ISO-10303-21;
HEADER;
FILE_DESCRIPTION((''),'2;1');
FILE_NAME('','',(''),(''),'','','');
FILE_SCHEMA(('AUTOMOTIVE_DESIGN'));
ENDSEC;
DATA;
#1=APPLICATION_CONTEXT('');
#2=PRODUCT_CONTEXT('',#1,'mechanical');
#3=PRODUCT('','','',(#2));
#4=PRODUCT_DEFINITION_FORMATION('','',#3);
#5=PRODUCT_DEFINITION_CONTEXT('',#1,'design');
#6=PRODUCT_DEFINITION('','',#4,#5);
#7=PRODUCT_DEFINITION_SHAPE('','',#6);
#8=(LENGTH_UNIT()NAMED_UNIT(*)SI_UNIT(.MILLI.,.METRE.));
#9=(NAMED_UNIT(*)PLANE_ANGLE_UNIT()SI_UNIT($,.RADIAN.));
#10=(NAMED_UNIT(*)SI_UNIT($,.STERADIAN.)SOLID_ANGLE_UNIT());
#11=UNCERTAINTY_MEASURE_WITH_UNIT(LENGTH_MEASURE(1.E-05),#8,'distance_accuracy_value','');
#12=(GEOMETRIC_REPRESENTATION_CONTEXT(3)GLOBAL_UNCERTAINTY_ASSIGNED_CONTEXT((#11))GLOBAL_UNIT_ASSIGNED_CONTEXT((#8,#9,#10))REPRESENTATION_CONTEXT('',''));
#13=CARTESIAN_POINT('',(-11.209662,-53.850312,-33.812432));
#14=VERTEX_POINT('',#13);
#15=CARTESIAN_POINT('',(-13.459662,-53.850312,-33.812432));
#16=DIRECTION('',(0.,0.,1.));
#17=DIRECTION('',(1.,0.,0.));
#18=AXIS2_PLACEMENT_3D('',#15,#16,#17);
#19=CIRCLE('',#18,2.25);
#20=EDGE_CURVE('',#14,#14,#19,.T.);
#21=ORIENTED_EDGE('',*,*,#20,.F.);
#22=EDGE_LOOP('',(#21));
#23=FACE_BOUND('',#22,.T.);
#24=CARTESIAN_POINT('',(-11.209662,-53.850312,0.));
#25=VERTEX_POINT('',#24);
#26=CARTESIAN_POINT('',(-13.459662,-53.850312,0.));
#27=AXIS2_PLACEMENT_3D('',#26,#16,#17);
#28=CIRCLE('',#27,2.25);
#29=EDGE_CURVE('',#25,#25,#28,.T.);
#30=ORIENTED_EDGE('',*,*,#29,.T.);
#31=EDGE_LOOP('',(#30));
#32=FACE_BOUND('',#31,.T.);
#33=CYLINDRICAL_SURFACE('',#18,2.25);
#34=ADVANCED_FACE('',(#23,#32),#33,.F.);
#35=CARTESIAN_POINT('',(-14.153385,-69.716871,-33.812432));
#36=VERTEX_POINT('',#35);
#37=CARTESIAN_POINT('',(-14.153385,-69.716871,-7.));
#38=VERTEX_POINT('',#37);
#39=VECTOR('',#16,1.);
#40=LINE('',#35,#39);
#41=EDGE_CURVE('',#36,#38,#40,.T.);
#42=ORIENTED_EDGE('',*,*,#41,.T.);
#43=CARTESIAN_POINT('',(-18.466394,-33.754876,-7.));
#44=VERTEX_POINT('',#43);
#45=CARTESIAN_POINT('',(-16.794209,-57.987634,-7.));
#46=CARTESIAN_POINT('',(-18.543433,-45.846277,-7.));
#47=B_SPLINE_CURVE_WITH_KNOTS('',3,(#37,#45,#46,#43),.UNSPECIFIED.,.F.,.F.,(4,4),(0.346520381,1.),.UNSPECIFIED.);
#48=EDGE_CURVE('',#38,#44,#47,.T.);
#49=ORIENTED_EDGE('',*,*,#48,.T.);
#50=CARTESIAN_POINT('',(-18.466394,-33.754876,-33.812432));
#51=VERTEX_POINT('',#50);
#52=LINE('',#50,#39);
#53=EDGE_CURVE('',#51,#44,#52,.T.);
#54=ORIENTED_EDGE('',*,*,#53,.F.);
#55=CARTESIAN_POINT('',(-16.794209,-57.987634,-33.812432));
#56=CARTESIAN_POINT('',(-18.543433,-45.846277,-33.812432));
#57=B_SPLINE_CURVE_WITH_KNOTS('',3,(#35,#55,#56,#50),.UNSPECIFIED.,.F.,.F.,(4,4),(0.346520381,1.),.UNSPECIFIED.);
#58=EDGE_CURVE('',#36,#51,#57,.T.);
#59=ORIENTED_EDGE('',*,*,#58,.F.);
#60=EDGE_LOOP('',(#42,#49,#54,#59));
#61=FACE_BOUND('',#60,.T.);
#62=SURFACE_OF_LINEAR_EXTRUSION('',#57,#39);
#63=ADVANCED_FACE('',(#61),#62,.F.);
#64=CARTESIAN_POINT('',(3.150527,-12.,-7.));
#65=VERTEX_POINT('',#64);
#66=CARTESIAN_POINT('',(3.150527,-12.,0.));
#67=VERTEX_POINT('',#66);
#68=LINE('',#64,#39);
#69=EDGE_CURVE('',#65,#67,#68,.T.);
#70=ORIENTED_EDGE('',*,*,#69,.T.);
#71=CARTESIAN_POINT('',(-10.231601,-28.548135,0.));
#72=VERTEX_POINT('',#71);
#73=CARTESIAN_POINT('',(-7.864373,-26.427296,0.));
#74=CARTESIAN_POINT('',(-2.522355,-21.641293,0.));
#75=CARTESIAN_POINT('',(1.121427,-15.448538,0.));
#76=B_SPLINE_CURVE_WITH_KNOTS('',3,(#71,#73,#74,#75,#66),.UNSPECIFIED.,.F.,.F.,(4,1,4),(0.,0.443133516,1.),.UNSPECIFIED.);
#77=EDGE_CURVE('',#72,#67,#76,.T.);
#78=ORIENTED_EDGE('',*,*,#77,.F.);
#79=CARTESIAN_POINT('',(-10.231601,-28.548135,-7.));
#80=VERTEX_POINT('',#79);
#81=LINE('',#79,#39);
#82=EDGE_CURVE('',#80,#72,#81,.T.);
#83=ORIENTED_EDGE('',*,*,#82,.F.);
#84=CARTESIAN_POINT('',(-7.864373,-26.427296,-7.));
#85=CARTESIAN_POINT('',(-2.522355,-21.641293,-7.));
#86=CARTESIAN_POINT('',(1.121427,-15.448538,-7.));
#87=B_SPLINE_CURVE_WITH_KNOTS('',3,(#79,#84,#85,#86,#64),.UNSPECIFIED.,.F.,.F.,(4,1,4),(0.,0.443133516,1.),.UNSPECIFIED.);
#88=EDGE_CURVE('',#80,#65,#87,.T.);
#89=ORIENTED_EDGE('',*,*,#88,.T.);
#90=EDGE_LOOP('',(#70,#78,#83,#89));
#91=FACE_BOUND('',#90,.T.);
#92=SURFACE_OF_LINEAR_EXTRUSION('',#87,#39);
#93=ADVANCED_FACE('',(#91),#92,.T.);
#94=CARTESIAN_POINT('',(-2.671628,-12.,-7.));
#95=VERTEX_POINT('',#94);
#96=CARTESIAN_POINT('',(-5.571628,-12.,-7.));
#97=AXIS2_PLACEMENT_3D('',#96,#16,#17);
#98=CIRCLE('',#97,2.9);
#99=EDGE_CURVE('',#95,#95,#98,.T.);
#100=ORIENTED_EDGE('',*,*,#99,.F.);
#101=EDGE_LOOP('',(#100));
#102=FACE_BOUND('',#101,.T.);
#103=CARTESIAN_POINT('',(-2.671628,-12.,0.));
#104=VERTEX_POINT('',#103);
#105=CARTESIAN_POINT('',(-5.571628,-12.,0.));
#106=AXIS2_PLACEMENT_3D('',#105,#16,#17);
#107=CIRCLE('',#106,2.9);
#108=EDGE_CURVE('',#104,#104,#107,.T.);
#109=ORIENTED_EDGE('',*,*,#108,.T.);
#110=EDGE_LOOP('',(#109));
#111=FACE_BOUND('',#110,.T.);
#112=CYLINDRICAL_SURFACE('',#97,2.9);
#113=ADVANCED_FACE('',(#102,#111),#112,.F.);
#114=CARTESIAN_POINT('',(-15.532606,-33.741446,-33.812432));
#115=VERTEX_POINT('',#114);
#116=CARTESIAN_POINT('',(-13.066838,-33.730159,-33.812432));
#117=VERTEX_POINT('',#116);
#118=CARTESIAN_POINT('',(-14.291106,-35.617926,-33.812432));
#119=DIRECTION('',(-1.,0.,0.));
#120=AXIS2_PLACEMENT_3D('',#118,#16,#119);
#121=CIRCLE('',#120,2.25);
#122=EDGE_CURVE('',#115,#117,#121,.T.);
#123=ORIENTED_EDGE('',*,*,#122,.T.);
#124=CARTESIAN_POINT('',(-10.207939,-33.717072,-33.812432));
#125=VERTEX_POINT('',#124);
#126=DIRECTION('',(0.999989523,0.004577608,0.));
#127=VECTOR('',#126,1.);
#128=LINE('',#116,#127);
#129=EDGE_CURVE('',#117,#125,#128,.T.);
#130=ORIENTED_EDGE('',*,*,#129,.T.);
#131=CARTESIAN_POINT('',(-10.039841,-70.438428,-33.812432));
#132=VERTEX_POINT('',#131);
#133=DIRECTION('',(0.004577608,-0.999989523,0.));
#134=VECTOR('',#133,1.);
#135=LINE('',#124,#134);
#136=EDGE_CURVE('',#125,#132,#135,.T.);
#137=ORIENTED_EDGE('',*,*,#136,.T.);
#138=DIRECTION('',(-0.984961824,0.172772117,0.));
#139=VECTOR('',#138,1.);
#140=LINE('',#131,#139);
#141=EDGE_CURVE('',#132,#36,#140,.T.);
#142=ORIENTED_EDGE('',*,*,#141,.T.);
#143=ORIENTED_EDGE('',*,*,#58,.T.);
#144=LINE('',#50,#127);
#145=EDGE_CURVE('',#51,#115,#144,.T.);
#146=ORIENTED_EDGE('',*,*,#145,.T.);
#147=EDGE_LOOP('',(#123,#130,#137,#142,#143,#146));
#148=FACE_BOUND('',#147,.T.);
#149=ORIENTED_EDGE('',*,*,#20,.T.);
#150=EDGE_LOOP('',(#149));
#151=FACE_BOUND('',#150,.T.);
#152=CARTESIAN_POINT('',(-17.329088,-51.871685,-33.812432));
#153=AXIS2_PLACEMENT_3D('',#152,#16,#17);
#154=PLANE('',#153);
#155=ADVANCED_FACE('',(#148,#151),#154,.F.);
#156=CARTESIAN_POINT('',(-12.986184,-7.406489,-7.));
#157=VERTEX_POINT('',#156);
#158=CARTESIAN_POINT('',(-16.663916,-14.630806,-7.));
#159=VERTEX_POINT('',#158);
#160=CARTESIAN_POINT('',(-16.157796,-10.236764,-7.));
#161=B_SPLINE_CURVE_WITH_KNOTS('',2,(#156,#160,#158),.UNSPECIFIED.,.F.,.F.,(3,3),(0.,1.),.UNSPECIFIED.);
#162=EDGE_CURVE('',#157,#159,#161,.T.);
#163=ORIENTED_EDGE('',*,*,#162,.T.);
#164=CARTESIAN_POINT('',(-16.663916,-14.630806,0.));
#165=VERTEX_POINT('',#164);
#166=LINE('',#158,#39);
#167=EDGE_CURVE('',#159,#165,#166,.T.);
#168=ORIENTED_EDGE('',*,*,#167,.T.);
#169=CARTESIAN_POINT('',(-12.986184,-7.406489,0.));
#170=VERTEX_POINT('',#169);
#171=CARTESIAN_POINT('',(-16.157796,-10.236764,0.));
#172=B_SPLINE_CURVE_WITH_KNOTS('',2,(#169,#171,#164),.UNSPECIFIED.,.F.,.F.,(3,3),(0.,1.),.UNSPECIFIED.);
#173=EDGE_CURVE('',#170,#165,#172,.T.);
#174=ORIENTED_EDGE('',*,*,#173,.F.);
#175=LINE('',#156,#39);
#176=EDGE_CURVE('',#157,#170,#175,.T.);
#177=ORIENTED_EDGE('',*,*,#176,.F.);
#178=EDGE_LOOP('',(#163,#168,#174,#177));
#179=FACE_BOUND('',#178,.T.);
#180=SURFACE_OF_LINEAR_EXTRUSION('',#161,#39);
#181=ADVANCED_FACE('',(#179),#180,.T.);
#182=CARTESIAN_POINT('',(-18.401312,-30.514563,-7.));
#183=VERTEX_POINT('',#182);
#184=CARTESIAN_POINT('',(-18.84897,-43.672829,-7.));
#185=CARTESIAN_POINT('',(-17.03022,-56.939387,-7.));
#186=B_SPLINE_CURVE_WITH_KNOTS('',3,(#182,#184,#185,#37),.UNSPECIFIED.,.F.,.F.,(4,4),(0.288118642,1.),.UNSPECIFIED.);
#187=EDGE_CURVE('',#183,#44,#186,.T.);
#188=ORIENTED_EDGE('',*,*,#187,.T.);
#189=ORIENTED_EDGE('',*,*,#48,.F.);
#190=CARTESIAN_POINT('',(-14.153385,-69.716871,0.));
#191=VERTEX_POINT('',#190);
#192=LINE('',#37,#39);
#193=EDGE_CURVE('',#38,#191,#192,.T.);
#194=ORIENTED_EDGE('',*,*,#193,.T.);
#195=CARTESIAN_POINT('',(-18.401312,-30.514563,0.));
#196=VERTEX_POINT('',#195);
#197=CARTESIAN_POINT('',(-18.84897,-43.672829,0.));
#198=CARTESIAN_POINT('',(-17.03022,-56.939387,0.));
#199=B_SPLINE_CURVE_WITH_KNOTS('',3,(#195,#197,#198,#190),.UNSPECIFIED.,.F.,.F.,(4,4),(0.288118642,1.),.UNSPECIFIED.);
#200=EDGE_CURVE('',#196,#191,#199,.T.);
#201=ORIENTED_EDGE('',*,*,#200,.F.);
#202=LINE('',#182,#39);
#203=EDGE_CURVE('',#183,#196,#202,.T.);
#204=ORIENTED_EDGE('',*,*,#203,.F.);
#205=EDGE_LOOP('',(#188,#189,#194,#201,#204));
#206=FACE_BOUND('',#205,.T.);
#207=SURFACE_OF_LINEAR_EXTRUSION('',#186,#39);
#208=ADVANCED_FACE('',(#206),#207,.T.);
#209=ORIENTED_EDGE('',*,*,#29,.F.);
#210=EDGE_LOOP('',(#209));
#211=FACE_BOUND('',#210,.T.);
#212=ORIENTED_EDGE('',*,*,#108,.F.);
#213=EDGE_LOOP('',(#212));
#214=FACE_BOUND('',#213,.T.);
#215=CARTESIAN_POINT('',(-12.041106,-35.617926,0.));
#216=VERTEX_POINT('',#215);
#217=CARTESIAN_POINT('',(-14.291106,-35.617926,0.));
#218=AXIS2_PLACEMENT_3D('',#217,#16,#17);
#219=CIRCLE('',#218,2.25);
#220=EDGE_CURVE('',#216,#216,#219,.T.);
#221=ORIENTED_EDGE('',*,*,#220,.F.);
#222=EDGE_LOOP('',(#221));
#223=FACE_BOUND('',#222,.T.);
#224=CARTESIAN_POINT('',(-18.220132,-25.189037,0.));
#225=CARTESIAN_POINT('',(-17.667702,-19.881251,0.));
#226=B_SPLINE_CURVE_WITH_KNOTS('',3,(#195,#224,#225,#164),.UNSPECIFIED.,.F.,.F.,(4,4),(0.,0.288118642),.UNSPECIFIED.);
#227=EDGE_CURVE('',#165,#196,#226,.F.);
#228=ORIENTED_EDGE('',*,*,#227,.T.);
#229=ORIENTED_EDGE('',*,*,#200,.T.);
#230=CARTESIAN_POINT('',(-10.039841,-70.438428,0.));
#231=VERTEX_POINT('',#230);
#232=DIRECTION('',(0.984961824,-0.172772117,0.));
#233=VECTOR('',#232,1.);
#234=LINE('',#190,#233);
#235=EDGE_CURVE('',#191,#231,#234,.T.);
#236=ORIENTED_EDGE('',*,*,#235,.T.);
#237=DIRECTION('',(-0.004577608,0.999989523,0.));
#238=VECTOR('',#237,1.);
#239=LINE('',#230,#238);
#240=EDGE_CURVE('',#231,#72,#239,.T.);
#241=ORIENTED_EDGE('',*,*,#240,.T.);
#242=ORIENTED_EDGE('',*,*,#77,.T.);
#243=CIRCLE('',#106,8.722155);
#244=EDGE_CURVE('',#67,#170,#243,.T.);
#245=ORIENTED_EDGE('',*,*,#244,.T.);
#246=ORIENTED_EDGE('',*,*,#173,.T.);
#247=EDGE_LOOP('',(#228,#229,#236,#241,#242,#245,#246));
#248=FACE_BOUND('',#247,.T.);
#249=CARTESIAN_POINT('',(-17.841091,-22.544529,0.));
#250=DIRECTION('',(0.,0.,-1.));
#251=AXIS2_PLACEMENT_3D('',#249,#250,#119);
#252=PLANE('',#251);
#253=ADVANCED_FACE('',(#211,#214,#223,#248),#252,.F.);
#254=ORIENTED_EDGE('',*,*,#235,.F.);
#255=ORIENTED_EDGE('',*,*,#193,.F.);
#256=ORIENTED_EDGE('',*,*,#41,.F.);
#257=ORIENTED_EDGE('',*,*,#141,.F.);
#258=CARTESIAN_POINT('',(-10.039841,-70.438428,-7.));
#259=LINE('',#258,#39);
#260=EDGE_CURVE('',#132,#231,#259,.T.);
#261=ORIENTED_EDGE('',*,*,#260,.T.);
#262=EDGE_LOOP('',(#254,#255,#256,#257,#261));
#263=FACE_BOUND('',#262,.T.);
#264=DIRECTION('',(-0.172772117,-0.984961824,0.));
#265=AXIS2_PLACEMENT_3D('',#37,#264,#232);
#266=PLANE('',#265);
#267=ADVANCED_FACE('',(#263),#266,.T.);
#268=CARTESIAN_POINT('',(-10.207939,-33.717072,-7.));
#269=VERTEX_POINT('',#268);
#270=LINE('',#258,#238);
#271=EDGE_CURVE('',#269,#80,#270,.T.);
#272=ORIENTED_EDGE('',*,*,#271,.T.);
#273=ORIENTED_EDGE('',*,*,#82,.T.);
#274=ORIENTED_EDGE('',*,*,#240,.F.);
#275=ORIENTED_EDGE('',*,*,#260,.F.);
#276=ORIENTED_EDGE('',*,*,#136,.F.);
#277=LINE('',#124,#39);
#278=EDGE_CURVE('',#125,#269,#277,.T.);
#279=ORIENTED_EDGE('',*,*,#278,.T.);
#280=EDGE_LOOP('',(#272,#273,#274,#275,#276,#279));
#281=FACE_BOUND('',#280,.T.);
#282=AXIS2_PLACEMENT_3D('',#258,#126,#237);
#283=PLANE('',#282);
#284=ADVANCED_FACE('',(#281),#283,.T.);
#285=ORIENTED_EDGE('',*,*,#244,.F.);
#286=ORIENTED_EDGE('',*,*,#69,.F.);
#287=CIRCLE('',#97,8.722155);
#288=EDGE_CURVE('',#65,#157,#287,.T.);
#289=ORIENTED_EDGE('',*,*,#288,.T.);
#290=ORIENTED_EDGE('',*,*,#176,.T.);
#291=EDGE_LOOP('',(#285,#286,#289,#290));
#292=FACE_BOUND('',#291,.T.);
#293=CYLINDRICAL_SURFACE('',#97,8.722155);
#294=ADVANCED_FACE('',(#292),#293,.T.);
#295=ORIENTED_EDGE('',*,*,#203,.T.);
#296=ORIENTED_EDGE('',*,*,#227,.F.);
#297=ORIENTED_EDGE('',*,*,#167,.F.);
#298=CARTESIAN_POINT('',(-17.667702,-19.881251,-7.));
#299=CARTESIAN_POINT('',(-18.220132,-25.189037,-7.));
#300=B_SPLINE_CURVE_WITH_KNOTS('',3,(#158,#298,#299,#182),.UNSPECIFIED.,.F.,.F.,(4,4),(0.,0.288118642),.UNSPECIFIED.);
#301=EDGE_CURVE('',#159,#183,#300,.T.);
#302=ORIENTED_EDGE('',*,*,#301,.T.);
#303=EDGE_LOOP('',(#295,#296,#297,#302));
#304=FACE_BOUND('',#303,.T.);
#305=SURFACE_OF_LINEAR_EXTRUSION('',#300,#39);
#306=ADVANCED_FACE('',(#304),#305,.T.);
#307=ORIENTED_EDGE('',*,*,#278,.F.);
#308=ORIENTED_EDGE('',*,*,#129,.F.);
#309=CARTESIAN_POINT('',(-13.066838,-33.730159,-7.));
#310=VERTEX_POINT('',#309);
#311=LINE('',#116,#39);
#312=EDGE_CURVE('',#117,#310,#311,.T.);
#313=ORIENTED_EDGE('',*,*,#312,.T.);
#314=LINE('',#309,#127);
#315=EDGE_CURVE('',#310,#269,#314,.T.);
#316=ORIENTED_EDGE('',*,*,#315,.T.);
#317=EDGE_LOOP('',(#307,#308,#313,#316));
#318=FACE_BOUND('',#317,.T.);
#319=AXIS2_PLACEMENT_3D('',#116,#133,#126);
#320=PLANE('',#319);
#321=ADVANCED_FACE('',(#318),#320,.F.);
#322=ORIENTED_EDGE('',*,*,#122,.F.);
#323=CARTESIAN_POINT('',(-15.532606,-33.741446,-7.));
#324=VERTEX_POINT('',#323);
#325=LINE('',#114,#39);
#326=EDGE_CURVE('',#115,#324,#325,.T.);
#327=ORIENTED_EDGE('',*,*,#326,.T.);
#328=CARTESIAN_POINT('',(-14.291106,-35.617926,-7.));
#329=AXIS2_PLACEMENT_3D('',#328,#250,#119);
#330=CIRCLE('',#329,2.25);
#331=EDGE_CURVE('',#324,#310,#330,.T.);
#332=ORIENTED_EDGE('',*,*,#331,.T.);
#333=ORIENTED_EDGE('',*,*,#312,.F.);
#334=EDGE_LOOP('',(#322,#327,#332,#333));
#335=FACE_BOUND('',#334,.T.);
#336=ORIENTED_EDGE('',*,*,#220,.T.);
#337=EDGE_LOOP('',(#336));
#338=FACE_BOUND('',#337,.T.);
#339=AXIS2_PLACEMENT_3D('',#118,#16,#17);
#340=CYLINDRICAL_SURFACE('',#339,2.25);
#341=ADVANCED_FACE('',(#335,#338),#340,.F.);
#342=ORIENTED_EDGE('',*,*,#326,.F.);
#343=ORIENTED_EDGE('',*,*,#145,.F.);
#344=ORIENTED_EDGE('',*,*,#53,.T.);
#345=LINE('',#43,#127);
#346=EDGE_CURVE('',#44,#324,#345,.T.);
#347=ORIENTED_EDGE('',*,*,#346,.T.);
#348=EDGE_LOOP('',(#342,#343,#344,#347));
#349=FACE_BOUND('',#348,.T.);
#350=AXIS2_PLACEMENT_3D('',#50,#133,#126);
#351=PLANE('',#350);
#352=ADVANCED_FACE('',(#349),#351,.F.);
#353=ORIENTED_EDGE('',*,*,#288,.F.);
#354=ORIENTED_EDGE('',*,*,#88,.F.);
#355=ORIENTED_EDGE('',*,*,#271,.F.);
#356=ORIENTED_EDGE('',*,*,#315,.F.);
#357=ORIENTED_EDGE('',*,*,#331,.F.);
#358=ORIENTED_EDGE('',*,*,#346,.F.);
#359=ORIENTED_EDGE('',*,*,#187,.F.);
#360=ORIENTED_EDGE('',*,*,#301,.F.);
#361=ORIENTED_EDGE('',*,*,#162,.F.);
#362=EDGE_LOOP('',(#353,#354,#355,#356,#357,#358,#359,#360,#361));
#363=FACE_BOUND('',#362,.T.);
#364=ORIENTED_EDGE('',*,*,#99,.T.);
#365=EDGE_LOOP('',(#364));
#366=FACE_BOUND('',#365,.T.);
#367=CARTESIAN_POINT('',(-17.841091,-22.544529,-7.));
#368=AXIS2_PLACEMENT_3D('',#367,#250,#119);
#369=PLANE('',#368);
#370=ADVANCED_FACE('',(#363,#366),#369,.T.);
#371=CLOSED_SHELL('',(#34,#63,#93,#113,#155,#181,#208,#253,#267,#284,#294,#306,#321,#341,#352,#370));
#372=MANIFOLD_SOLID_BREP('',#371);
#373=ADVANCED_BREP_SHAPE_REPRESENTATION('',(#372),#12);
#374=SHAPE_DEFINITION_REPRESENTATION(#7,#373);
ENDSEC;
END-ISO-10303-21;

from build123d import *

# Parameters (mm, degrees)
SKETCH1_R           = 2.9
BOSS_EXTRUDE1_DEPTH = 7
BOSS_EXTRUDE2_DEPTH = 26.812432
SKETCH3_R           = 2.25
CUT_EXTRUDE1_DEPTH  = 81.286678341


with BuildPart() as part:
    # Sketch1 → Boss-Extrude1 (new body)
    with BuildSketch(Plane.XY):
        with BuildLine():
            Line((-14.153385189, -69.716871134), (-10.039841479, -70.438427685))
            Line((-10.039841479, -70.438427685), (-10.231600818, -28.548135162))
            add(Edge.make_bspline(
                [(3.150526507, -12), (1.121426745, -15.448537633), (-2.522354698, -21.641292501), (-7.864373324, -26.42729642), (-10.231600818, -28.548135162)],
                knots=[0, 0, 0, 0, 0.556866484, 1, 1, 1, 1], degree=3))
            ThreePointArc((3.150526507, -12), (-3.18362895, -3.611112101), (-12.986183722, -7.406488955))
            add(Edge.make_bspline(
                [(-16.663916234, -14.630806425), (-16.157795835, -10.23676377), (-12.986183722, -7.406488955)],
                knots=[0, 0, 0, 1, 1, 1], degree=2))
            add(Edge.make_bspline(
                [(-16.663916234, -14.630806425), (-17.667702323, -19.881251045), (-18.220131563, -25.189037493), (-18.401311599, -30.514562532)],
                knots=[0, 0, 0, 0, 0.288118642, 0.288118642, 0.288118642, 0.288118642], degree=3))
            add(Edge.make_bspline(
                [(-18.401311599, -30.514562532), (-18.848969857, -43.672829442), (-17.03022033, -56.93938717), (-14.153385189, -69.716871134)],
                knots=[0.288118642, 0.288118642, 0.288118642, 0.288118642, 1, 1, 1, 1], degree=3))
        make_face()
        with Locations((-5.571628032, -12)):
            Circle(SKETCH1_R, mode=Mode.SUBTRACT)
    extrude(amount=-BOSS_EXTRUDE1_DEPTH)

    # Sketch2 → Boss-Extrude2 (add)
    with BuildSketch(Plane(origin=(0, 0, -7), x_dir=(-1, 0, 0), z_dir=(0, 0, -1))):
        with BuildLine():
            Line((10.039841479, -70.438427685), (14.153385189, -69.716871134))
            add(Edge.make_bspline(
                [(14.153385189, -69.716871134), (16.794208846, -57.987633874), (18.543433317, -45.846277061), (18.466393507, -33.754875992)],
                knots=[0.346520381, 0.346520381, 0.346520381, 0.346520381, 1, 1, 1, 1], degree=3))
            Line((18.466393507, -33.754875992), (15.532606101, -33.741446123))
            ThreePointArc((15.532606101, -33.741446123), (14.280806546, -37.867902739), (13.066837656, -33.730158684))
            Line((13.066837656, -33.730158684), (10.207939206, -33.717071631))
            Line((10.207939206, -33.717071631), (10.039841479, -70.438427685))
        make_face()
    extrude(amount=BOSS_EXTRUDE2_DEPTH)

    # Sketch3 → Cut-Extrude1 (cut, through all)
    with BuildSketch(Plane.XY):
        with Locations((-14.291106163, -35.617926313)):
            Circle(SKETCH3_R)
        with Locations((-13.459661862, -53.850312066)):
            Circle(SKETCH3_R)
    extrude(amount=-CUT_EXTRUDE1_DEPTH, mode=Mode.SUBTRACT)


solid = part.part
